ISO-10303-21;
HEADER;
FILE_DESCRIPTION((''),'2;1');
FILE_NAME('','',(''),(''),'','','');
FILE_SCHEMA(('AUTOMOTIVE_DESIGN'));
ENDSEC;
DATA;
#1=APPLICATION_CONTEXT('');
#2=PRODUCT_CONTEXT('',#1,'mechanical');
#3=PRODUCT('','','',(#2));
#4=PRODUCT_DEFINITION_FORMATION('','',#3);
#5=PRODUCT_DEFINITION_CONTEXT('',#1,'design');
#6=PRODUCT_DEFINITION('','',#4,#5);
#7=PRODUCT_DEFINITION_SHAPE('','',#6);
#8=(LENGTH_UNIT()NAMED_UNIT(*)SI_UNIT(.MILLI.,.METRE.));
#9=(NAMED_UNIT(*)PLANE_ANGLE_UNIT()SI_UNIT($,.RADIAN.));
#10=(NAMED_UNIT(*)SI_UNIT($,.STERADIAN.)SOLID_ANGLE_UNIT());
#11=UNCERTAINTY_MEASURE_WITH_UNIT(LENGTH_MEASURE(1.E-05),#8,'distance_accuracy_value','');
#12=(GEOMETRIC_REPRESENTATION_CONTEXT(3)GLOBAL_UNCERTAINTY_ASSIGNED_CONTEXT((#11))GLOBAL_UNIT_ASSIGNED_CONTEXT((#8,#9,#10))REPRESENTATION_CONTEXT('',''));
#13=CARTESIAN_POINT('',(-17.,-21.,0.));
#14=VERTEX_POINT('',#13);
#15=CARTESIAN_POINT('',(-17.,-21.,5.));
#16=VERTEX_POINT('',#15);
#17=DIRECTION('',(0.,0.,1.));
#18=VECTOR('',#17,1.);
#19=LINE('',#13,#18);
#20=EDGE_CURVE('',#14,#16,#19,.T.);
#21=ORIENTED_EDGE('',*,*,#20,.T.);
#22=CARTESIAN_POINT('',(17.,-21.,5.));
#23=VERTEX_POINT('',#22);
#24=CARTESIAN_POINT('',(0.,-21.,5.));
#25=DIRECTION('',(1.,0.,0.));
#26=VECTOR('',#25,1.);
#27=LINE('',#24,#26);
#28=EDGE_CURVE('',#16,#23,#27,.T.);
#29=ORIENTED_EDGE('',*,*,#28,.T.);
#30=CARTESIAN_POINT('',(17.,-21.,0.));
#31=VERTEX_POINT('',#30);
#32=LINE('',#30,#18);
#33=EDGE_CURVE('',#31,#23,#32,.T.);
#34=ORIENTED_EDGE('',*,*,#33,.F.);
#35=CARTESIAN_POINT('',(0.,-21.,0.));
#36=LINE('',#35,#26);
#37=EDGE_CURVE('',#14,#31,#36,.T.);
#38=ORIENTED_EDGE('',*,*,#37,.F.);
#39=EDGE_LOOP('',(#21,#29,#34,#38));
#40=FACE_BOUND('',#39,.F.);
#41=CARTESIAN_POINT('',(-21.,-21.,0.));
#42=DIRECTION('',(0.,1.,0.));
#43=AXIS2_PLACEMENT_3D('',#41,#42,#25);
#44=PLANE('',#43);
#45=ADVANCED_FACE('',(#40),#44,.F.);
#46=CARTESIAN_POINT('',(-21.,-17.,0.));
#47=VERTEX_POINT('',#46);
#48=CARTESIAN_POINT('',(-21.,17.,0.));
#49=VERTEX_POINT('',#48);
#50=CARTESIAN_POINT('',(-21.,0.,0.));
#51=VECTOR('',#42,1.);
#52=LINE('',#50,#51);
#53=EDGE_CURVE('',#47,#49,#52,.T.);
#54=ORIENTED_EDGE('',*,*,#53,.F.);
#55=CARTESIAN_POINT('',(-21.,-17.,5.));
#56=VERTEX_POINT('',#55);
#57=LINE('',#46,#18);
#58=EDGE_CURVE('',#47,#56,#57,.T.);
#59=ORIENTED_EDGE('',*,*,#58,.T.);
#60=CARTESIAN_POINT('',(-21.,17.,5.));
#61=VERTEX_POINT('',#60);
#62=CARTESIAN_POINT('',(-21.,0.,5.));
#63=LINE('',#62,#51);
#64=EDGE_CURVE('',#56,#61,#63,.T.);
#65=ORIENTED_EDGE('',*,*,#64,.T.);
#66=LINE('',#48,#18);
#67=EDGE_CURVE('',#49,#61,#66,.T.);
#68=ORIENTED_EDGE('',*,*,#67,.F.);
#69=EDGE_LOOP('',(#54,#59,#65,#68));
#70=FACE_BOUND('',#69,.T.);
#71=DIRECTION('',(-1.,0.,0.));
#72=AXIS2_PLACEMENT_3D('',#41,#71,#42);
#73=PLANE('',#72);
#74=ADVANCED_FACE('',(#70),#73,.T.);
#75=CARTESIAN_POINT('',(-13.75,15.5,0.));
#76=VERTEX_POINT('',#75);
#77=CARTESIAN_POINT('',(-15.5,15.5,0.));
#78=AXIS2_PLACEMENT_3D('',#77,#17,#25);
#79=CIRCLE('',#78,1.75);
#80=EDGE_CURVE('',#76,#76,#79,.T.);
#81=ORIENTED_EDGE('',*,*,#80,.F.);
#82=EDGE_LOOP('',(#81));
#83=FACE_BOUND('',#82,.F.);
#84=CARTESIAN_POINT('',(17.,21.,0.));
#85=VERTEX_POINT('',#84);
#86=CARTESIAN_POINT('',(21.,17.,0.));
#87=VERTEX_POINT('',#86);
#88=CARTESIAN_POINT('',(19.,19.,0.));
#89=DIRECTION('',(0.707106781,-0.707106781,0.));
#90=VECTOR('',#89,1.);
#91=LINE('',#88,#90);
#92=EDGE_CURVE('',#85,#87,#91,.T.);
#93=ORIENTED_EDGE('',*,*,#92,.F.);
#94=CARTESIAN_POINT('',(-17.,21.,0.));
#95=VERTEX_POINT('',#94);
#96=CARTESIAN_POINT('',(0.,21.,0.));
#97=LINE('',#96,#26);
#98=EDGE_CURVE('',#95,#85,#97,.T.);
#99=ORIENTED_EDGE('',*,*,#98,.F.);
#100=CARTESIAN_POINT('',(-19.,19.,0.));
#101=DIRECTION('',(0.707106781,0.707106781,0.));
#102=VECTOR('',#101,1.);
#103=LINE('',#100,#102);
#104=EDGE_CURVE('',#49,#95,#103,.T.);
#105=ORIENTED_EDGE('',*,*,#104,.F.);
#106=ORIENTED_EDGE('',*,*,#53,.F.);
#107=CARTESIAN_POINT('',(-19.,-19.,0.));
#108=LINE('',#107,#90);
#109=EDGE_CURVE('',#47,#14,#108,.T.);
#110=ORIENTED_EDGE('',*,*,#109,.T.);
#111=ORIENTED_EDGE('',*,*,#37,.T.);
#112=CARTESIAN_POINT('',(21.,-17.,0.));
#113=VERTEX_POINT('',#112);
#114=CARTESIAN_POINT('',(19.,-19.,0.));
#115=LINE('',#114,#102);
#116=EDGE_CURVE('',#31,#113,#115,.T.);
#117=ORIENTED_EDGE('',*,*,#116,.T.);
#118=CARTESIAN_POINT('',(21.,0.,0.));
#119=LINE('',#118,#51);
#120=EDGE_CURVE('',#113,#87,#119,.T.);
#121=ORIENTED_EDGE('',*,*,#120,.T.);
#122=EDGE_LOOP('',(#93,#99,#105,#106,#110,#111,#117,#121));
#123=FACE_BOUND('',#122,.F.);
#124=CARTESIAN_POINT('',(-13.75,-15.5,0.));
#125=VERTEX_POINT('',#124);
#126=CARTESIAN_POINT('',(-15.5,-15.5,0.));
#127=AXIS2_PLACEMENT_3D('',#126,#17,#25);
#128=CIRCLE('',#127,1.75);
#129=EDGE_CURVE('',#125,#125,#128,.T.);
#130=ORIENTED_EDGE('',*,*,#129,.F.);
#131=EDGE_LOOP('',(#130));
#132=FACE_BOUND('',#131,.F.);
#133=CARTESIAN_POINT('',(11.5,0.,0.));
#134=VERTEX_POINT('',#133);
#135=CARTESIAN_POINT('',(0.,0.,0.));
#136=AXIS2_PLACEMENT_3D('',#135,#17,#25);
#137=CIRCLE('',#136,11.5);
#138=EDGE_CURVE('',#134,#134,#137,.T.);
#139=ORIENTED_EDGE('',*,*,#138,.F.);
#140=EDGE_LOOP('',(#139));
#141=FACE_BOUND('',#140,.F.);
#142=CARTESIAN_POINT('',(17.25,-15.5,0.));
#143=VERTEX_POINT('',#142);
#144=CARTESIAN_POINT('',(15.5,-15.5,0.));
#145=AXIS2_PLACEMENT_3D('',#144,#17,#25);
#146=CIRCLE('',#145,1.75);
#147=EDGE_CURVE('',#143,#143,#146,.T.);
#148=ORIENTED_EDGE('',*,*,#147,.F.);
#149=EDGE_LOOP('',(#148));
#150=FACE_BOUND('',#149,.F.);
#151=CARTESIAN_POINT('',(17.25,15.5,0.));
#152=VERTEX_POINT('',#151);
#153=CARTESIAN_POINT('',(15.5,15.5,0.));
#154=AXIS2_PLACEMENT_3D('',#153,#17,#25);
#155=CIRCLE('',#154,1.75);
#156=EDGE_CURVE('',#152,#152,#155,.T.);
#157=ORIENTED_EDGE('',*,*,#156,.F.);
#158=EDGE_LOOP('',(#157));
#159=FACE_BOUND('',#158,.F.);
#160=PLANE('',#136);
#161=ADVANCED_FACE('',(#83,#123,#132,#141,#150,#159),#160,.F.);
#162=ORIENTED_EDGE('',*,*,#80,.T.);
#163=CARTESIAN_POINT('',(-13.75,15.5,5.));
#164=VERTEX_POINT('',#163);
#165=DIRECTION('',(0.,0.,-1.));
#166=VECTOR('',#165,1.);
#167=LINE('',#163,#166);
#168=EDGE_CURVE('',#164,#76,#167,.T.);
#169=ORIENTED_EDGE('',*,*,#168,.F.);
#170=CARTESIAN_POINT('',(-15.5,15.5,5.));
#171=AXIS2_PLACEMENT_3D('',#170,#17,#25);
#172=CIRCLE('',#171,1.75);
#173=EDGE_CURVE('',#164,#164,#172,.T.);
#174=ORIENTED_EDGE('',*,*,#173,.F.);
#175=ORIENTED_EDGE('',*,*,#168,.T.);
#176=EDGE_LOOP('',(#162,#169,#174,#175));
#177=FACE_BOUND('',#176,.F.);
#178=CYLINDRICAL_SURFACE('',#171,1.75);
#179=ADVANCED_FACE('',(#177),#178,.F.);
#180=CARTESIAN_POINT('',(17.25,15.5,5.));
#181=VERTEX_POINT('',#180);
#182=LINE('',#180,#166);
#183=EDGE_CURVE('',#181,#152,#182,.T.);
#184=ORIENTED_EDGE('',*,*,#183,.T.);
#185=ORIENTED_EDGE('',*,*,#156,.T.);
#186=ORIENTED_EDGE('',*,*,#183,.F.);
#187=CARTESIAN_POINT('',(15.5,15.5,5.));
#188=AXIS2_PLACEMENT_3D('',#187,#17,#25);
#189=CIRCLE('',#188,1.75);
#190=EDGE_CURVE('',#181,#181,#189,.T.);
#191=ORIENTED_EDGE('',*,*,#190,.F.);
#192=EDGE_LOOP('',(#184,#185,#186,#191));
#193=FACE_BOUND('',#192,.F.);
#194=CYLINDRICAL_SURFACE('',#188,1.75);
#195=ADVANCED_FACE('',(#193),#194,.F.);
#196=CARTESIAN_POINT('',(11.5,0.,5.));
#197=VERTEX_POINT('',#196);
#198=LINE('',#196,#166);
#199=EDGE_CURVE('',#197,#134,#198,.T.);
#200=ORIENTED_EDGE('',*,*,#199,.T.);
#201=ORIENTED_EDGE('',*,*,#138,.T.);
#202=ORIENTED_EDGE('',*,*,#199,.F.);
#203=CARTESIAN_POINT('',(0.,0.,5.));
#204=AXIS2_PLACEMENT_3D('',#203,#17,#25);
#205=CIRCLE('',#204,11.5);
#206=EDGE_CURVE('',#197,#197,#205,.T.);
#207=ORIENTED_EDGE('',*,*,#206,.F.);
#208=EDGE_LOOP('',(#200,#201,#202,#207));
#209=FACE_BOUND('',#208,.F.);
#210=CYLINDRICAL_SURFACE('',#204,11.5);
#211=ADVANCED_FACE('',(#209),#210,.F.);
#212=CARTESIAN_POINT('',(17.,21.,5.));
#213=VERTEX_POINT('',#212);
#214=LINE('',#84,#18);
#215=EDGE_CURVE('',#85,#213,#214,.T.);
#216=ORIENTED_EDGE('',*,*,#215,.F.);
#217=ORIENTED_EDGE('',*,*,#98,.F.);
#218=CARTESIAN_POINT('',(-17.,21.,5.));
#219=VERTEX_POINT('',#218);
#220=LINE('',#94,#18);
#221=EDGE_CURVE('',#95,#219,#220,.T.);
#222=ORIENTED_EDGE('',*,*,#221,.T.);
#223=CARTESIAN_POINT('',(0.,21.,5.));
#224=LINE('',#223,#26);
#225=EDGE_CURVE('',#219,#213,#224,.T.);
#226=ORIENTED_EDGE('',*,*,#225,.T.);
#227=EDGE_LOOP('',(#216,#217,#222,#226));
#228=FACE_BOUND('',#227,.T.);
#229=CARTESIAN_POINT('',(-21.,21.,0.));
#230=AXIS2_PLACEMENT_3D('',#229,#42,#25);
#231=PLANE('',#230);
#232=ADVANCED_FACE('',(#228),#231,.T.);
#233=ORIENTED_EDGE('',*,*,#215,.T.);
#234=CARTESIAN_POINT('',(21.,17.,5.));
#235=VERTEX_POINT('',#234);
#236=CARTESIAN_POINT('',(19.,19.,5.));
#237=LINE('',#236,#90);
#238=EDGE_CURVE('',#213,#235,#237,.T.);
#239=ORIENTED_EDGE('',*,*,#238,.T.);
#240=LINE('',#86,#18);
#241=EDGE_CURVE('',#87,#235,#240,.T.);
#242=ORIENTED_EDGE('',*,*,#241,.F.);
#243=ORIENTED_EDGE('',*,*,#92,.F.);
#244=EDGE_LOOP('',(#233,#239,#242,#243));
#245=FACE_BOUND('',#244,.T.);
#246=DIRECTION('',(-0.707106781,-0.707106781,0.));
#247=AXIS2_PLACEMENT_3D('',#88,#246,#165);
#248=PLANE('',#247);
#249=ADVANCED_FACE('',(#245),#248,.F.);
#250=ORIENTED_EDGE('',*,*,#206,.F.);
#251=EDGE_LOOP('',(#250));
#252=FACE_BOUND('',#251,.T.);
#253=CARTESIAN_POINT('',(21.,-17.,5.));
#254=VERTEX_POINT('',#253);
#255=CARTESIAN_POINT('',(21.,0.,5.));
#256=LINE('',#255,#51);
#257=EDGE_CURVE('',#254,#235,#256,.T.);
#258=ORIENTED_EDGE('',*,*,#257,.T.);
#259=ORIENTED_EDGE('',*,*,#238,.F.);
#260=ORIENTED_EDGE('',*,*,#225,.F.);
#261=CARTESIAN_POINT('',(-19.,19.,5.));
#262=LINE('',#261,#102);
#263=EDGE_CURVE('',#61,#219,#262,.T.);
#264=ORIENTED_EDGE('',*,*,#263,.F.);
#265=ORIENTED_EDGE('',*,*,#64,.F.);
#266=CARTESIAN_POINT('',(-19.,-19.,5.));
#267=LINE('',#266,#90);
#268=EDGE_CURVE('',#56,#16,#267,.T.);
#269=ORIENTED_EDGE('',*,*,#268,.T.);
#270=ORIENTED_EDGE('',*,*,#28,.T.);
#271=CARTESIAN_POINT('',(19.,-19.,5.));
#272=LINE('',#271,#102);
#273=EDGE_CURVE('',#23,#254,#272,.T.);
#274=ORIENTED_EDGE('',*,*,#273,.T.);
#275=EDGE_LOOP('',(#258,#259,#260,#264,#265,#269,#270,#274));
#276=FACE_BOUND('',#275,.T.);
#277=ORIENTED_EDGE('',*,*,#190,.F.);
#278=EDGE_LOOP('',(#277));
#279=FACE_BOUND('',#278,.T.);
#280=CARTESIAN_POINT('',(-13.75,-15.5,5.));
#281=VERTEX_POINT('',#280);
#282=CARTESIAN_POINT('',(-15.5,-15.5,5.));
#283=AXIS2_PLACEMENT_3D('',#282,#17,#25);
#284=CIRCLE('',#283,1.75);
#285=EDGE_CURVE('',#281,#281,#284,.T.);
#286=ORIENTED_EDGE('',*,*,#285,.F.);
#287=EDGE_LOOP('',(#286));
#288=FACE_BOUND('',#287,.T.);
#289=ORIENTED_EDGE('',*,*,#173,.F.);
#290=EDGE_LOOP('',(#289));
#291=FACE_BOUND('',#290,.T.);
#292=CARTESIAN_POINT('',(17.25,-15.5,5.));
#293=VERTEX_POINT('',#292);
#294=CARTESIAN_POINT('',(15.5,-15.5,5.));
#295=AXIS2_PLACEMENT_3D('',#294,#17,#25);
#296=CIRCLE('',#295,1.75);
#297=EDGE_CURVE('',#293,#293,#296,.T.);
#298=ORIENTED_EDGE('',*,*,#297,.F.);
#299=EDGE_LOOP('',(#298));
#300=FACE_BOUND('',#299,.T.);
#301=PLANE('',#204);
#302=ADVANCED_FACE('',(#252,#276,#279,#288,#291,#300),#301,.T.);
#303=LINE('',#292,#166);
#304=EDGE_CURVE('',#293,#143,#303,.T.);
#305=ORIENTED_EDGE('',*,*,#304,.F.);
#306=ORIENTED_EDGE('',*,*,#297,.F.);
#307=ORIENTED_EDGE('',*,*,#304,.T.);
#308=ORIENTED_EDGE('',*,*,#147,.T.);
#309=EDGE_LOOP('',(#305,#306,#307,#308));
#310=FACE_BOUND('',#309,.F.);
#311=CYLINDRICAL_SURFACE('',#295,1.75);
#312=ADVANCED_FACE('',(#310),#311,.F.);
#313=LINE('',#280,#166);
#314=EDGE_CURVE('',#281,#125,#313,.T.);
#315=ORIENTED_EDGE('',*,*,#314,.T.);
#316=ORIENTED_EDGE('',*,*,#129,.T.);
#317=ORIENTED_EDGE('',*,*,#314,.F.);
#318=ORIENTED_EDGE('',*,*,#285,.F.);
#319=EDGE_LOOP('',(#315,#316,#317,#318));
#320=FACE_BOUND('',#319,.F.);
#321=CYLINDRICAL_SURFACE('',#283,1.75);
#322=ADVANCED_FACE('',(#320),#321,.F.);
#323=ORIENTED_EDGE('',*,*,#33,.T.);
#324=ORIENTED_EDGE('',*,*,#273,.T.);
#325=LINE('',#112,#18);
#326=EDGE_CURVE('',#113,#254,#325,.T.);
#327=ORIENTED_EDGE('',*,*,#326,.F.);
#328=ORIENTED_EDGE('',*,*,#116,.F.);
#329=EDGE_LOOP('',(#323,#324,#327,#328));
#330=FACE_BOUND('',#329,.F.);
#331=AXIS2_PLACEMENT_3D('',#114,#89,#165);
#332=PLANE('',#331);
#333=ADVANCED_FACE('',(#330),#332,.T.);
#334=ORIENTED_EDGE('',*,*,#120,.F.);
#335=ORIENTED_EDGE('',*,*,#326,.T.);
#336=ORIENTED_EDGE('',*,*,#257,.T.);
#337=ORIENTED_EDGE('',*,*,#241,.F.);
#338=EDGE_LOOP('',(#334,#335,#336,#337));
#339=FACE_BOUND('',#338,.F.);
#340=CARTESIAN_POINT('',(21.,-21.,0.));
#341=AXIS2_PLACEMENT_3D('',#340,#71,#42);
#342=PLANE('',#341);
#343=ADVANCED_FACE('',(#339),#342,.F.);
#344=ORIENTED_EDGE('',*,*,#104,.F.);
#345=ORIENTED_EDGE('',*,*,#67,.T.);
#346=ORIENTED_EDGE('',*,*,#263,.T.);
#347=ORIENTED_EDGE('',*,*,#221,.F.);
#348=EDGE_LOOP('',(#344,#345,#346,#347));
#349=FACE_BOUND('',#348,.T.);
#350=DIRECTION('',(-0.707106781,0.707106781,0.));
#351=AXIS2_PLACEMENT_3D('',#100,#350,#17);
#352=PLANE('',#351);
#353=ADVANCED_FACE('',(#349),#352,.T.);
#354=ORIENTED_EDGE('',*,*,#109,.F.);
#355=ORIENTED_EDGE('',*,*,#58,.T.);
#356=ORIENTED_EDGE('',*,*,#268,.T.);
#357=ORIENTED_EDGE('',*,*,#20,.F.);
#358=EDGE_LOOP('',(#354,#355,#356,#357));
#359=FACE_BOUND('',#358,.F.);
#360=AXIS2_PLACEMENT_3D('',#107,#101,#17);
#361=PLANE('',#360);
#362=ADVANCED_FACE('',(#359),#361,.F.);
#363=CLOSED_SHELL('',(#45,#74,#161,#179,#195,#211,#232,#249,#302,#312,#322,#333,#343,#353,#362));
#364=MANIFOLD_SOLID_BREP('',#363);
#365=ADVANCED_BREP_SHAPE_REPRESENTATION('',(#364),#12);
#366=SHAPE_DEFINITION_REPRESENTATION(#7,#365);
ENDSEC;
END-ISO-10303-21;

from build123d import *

# Parameters (mm, degrees)
SKETCH_W        = 42
SKETCH_H        = 42
PAD_DEPTH       = 5
SKETCH001_R     = 11.5
POCKET_DEPTH    = 12
SKETCH002_R     = 1.75
POCKET001_DEPTH = 12
CHAMFER_SIZE    = 4


with BuildPart() as part:
    # Sketch → Pad (new body)
    with BuildSketch(Plane.XY):
        Rectangle(SKETCH_W, SKETCH_H)
    extrude(amount=PAD_DEPTH)

    # Sketch001 (on Face6 of Pad) → Pocket (cut)
    with BuildSketch(Plane.XY.offset(5)):
        Circle(SKETCH001_R)
    extrude(amount=-POCKET_DEPTH, mode=Mode.SUBTRACT)

    # Sketch002 (on Face5 of Pocket) → Pocket001 (cut)
    with BuildSketch(Plane.XY.offset(5)):
        with Locations((15.5, 15.5)):
            Circle(SKETCH002_R)
        with Locations((-15.5, 15.5)):
            Circle(SKETCH002_R)
        with Locations((-15.5, -15.5)):
            Circle(SKETCH002_R)
        with Locations((15.5, -15.5)):
            Circle(SKETCH002_R)
    extrude(amount=-POCKET001_DEPTH, mode=Mode.SUBTRACT)

    # Chamfer
    chamfer_edges = [part.edges().sort_by_distance(p)[0] for p in [
        (21, 21, 2.5),
        (-21, 21, 2.5),
        (-21, -21, 2.5),
        (21, -21, 2.5),
    ]]
    chamfer(chamfer_edges, length=CHAMFER_SIZE)


solid = part.part
